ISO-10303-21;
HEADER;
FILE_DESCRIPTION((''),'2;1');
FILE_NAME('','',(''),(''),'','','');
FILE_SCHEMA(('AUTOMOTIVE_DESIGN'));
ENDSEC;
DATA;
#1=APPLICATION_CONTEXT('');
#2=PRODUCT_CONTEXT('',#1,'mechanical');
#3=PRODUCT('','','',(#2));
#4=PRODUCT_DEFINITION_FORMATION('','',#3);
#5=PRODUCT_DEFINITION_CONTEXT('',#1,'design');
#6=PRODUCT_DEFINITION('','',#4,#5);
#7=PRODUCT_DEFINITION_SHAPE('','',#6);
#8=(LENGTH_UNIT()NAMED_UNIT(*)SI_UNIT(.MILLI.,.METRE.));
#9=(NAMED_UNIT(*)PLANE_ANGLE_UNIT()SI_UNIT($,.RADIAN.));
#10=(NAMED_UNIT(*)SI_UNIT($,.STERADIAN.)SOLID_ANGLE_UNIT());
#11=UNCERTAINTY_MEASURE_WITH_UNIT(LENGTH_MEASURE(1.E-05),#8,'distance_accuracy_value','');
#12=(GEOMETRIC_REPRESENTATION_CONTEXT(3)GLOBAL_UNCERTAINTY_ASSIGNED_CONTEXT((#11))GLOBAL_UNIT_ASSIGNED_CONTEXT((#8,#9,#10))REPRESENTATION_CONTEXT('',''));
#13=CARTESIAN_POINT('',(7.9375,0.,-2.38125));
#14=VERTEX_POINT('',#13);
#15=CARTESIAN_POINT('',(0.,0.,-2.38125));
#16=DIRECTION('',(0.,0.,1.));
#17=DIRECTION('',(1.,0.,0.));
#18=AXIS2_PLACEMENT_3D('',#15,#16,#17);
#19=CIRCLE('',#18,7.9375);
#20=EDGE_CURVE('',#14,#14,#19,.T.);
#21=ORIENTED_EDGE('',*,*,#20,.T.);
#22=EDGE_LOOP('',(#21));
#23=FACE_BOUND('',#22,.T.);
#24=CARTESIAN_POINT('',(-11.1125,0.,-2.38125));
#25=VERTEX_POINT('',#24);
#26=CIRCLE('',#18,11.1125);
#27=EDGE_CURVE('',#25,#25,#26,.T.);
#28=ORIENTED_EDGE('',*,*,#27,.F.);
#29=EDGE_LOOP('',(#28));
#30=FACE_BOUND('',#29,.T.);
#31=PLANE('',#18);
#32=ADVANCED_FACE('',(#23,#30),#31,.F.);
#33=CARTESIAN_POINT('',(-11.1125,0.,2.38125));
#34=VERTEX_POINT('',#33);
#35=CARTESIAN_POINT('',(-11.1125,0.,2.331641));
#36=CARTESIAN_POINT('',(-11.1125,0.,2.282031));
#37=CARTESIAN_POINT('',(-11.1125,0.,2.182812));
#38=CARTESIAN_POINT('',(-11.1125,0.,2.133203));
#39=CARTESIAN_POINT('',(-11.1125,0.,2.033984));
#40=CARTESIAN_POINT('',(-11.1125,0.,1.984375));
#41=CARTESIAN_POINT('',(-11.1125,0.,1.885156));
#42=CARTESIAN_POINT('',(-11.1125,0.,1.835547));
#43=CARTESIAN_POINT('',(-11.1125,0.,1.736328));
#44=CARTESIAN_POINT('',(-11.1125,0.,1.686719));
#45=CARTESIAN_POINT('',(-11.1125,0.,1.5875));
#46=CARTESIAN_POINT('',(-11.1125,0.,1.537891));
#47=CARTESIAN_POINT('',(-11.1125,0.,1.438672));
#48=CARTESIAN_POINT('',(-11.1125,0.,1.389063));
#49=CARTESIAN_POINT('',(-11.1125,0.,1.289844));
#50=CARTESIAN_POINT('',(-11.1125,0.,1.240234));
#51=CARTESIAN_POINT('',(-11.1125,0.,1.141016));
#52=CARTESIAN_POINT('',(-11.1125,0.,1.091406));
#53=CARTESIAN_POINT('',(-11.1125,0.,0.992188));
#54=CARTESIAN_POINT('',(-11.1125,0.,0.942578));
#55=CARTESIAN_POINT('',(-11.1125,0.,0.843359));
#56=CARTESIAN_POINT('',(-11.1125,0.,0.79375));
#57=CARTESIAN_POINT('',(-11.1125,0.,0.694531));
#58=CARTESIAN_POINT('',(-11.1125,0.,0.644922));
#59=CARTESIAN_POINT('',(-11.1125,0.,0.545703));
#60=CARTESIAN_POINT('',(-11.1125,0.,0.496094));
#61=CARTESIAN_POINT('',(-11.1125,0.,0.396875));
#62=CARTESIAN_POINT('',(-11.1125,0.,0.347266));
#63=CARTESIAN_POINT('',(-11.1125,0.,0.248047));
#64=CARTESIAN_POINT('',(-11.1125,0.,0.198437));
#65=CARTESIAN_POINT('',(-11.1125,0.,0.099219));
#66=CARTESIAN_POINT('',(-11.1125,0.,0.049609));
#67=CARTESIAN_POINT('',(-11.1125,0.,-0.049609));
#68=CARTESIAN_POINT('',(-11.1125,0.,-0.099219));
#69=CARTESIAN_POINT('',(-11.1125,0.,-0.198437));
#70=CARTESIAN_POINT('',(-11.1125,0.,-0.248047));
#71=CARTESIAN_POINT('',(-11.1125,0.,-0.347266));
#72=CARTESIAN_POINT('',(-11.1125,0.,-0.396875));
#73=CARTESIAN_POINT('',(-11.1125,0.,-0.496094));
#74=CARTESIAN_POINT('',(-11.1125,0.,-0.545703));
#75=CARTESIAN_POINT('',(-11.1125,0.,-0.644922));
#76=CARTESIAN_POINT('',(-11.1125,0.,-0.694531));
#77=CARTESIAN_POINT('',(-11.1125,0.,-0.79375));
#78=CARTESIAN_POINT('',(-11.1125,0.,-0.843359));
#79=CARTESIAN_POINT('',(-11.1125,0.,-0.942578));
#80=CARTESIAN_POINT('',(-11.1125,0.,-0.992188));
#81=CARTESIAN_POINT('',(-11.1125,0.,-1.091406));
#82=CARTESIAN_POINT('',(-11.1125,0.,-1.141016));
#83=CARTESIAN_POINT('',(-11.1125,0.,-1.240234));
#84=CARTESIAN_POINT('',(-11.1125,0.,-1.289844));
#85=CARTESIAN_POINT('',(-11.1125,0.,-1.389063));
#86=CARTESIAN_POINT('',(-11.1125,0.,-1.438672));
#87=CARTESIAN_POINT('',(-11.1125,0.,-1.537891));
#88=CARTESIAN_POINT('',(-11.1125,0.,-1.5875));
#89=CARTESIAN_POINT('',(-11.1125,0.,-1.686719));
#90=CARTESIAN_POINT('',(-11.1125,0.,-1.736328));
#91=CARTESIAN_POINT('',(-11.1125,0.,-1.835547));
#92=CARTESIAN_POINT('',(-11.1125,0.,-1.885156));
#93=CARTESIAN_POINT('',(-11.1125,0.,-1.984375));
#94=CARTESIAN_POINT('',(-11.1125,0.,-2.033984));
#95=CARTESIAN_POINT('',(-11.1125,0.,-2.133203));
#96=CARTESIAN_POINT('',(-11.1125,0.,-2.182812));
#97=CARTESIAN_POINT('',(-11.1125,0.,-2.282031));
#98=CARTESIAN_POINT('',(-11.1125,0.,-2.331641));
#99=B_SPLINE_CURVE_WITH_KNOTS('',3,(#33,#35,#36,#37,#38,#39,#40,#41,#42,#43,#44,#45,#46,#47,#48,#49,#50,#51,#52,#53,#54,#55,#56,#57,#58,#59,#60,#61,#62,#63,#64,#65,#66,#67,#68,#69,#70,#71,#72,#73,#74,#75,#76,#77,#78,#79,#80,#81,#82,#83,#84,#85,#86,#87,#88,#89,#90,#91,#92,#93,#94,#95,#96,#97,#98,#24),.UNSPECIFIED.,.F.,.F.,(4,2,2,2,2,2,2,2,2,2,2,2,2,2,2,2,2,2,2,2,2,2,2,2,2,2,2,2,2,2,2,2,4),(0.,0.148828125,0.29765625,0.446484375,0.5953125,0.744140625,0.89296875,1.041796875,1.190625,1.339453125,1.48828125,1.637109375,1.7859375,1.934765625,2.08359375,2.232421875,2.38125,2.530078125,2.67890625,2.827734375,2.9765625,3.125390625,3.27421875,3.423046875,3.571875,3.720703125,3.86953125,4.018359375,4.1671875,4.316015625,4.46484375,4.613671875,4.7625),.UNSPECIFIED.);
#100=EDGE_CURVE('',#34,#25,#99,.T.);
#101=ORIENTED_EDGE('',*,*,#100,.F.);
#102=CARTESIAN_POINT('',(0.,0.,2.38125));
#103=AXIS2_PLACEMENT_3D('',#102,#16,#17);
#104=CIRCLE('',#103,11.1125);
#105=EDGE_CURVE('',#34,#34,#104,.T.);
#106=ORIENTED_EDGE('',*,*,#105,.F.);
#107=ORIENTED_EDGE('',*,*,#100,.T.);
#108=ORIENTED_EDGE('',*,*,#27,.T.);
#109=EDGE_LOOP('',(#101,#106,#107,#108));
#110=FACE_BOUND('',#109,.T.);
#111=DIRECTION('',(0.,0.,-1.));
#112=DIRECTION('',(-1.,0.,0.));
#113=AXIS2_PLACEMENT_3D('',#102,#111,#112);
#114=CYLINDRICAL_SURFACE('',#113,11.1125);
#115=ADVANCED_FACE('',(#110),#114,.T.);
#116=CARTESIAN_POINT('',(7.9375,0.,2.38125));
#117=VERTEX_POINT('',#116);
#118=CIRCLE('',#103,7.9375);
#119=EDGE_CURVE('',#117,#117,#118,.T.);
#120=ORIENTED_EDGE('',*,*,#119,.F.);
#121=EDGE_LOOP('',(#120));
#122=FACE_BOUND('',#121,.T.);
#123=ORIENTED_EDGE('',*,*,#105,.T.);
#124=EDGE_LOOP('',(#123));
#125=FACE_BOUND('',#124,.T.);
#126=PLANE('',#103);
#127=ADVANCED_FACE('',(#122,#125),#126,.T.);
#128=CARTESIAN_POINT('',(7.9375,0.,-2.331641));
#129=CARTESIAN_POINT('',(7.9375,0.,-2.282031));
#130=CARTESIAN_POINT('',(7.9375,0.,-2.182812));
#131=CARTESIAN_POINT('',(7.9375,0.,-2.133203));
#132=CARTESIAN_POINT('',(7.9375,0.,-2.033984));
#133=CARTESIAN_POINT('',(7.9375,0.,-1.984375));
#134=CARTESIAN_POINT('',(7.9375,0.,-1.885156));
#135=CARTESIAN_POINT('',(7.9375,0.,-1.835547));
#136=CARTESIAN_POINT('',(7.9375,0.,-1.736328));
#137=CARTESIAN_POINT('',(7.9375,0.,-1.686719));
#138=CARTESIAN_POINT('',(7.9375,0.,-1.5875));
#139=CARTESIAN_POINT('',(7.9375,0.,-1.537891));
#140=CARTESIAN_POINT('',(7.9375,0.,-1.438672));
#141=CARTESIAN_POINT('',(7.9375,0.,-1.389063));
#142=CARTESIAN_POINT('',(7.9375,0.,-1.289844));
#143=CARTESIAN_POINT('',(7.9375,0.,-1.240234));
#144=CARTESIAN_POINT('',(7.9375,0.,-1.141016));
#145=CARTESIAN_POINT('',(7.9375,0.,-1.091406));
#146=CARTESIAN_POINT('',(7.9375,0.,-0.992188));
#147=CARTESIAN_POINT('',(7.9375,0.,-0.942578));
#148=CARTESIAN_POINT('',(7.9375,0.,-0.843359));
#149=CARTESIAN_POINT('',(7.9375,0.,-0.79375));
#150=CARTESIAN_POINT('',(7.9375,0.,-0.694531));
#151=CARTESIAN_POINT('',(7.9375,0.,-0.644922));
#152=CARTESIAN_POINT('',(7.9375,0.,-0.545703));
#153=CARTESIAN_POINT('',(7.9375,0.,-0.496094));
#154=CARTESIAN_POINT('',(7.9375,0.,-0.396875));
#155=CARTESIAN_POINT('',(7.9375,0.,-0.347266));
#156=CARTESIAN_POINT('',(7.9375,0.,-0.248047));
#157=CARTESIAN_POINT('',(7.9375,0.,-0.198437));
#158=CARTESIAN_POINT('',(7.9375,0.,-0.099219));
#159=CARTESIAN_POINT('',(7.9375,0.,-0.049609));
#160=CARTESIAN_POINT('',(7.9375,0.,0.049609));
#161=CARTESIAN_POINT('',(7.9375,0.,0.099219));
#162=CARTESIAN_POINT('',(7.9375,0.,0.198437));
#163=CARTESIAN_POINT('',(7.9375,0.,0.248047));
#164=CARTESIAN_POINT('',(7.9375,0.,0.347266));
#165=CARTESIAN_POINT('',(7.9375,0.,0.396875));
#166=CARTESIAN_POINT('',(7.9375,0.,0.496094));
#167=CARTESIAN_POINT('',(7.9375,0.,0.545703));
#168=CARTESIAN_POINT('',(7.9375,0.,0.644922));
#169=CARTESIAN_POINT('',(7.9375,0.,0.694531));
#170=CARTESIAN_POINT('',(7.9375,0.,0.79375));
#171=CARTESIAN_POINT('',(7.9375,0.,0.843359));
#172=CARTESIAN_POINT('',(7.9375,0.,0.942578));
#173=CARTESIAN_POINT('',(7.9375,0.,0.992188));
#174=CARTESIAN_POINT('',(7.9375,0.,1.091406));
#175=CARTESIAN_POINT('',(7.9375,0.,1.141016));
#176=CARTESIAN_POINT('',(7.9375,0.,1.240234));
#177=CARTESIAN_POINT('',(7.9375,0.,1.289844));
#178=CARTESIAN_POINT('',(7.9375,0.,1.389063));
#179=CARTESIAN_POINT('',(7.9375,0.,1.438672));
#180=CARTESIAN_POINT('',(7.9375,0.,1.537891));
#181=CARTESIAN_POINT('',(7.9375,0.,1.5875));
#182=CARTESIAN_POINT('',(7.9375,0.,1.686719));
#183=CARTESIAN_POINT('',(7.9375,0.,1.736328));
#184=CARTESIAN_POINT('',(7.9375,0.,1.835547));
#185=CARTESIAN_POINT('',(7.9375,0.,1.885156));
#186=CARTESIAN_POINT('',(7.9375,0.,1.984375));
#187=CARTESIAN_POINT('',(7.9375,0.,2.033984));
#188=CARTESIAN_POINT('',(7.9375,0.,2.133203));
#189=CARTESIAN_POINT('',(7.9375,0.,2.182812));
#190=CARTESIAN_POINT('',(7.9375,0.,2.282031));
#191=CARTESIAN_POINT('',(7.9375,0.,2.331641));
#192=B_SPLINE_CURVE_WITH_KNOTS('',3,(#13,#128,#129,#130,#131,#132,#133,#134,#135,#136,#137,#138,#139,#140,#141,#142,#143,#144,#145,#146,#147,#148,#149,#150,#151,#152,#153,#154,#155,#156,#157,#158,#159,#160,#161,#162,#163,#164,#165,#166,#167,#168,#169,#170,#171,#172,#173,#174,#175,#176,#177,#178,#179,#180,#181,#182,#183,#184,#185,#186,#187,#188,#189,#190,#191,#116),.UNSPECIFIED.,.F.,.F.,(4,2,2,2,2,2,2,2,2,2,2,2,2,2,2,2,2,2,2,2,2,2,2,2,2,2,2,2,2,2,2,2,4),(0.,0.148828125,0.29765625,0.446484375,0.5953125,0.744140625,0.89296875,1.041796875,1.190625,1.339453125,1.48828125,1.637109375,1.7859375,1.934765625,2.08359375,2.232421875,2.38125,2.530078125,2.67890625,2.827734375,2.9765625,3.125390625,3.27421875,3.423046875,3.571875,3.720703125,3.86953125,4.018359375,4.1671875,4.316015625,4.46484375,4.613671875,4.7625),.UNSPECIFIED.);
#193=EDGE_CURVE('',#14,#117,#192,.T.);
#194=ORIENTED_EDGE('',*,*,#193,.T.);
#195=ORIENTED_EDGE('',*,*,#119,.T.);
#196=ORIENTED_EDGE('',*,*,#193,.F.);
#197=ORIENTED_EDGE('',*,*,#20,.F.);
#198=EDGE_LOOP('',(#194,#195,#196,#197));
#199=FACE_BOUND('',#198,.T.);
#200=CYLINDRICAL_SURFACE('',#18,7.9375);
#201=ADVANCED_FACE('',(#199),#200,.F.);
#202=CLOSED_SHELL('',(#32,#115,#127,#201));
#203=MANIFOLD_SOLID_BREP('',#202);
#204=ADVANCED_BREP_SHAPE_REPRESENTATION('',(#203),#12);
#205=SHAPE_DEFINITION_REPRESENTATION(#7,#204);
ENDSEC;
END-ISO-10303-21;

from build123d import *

# Parameters (mm, degrees)
SKETCH1_R          = 11.1125
SKETCH1_R_2        = 6.35
EXTRUDE1_DEPTH     = 2.38125
SKETCH5_R          = 7.9375
CUT_EXTRUDE1_DEPTH = 17.421227687


with BuildPart() as part:
    # Sketch1 → Extrude1 (new, symmetric)
    with BuildSketch(Plane.XY):
        with Locations(Location((0, 0, 0), (0, 0, 180))):
            Circle(SKETCH1_R)
        with Locations(Location((0, 0, 0), (0, 0, 180))):
            Circle(SKETCH1_R_2, mode=Mode.SUBTRACT)
    extrude(amount=EXTRUDE1_DEPTH, both=True)

    # Sketch5 → Cut-Extrude1 (cut, through all)
    with BuildSketch(Plane.XY.offset(2.38125)):
        Circle(SKETCH5_R)
    extrude(amount=-CUT_EXTRUDE1_DEPTH, mode=Mode.SUBTRACT)


solid = part.part
